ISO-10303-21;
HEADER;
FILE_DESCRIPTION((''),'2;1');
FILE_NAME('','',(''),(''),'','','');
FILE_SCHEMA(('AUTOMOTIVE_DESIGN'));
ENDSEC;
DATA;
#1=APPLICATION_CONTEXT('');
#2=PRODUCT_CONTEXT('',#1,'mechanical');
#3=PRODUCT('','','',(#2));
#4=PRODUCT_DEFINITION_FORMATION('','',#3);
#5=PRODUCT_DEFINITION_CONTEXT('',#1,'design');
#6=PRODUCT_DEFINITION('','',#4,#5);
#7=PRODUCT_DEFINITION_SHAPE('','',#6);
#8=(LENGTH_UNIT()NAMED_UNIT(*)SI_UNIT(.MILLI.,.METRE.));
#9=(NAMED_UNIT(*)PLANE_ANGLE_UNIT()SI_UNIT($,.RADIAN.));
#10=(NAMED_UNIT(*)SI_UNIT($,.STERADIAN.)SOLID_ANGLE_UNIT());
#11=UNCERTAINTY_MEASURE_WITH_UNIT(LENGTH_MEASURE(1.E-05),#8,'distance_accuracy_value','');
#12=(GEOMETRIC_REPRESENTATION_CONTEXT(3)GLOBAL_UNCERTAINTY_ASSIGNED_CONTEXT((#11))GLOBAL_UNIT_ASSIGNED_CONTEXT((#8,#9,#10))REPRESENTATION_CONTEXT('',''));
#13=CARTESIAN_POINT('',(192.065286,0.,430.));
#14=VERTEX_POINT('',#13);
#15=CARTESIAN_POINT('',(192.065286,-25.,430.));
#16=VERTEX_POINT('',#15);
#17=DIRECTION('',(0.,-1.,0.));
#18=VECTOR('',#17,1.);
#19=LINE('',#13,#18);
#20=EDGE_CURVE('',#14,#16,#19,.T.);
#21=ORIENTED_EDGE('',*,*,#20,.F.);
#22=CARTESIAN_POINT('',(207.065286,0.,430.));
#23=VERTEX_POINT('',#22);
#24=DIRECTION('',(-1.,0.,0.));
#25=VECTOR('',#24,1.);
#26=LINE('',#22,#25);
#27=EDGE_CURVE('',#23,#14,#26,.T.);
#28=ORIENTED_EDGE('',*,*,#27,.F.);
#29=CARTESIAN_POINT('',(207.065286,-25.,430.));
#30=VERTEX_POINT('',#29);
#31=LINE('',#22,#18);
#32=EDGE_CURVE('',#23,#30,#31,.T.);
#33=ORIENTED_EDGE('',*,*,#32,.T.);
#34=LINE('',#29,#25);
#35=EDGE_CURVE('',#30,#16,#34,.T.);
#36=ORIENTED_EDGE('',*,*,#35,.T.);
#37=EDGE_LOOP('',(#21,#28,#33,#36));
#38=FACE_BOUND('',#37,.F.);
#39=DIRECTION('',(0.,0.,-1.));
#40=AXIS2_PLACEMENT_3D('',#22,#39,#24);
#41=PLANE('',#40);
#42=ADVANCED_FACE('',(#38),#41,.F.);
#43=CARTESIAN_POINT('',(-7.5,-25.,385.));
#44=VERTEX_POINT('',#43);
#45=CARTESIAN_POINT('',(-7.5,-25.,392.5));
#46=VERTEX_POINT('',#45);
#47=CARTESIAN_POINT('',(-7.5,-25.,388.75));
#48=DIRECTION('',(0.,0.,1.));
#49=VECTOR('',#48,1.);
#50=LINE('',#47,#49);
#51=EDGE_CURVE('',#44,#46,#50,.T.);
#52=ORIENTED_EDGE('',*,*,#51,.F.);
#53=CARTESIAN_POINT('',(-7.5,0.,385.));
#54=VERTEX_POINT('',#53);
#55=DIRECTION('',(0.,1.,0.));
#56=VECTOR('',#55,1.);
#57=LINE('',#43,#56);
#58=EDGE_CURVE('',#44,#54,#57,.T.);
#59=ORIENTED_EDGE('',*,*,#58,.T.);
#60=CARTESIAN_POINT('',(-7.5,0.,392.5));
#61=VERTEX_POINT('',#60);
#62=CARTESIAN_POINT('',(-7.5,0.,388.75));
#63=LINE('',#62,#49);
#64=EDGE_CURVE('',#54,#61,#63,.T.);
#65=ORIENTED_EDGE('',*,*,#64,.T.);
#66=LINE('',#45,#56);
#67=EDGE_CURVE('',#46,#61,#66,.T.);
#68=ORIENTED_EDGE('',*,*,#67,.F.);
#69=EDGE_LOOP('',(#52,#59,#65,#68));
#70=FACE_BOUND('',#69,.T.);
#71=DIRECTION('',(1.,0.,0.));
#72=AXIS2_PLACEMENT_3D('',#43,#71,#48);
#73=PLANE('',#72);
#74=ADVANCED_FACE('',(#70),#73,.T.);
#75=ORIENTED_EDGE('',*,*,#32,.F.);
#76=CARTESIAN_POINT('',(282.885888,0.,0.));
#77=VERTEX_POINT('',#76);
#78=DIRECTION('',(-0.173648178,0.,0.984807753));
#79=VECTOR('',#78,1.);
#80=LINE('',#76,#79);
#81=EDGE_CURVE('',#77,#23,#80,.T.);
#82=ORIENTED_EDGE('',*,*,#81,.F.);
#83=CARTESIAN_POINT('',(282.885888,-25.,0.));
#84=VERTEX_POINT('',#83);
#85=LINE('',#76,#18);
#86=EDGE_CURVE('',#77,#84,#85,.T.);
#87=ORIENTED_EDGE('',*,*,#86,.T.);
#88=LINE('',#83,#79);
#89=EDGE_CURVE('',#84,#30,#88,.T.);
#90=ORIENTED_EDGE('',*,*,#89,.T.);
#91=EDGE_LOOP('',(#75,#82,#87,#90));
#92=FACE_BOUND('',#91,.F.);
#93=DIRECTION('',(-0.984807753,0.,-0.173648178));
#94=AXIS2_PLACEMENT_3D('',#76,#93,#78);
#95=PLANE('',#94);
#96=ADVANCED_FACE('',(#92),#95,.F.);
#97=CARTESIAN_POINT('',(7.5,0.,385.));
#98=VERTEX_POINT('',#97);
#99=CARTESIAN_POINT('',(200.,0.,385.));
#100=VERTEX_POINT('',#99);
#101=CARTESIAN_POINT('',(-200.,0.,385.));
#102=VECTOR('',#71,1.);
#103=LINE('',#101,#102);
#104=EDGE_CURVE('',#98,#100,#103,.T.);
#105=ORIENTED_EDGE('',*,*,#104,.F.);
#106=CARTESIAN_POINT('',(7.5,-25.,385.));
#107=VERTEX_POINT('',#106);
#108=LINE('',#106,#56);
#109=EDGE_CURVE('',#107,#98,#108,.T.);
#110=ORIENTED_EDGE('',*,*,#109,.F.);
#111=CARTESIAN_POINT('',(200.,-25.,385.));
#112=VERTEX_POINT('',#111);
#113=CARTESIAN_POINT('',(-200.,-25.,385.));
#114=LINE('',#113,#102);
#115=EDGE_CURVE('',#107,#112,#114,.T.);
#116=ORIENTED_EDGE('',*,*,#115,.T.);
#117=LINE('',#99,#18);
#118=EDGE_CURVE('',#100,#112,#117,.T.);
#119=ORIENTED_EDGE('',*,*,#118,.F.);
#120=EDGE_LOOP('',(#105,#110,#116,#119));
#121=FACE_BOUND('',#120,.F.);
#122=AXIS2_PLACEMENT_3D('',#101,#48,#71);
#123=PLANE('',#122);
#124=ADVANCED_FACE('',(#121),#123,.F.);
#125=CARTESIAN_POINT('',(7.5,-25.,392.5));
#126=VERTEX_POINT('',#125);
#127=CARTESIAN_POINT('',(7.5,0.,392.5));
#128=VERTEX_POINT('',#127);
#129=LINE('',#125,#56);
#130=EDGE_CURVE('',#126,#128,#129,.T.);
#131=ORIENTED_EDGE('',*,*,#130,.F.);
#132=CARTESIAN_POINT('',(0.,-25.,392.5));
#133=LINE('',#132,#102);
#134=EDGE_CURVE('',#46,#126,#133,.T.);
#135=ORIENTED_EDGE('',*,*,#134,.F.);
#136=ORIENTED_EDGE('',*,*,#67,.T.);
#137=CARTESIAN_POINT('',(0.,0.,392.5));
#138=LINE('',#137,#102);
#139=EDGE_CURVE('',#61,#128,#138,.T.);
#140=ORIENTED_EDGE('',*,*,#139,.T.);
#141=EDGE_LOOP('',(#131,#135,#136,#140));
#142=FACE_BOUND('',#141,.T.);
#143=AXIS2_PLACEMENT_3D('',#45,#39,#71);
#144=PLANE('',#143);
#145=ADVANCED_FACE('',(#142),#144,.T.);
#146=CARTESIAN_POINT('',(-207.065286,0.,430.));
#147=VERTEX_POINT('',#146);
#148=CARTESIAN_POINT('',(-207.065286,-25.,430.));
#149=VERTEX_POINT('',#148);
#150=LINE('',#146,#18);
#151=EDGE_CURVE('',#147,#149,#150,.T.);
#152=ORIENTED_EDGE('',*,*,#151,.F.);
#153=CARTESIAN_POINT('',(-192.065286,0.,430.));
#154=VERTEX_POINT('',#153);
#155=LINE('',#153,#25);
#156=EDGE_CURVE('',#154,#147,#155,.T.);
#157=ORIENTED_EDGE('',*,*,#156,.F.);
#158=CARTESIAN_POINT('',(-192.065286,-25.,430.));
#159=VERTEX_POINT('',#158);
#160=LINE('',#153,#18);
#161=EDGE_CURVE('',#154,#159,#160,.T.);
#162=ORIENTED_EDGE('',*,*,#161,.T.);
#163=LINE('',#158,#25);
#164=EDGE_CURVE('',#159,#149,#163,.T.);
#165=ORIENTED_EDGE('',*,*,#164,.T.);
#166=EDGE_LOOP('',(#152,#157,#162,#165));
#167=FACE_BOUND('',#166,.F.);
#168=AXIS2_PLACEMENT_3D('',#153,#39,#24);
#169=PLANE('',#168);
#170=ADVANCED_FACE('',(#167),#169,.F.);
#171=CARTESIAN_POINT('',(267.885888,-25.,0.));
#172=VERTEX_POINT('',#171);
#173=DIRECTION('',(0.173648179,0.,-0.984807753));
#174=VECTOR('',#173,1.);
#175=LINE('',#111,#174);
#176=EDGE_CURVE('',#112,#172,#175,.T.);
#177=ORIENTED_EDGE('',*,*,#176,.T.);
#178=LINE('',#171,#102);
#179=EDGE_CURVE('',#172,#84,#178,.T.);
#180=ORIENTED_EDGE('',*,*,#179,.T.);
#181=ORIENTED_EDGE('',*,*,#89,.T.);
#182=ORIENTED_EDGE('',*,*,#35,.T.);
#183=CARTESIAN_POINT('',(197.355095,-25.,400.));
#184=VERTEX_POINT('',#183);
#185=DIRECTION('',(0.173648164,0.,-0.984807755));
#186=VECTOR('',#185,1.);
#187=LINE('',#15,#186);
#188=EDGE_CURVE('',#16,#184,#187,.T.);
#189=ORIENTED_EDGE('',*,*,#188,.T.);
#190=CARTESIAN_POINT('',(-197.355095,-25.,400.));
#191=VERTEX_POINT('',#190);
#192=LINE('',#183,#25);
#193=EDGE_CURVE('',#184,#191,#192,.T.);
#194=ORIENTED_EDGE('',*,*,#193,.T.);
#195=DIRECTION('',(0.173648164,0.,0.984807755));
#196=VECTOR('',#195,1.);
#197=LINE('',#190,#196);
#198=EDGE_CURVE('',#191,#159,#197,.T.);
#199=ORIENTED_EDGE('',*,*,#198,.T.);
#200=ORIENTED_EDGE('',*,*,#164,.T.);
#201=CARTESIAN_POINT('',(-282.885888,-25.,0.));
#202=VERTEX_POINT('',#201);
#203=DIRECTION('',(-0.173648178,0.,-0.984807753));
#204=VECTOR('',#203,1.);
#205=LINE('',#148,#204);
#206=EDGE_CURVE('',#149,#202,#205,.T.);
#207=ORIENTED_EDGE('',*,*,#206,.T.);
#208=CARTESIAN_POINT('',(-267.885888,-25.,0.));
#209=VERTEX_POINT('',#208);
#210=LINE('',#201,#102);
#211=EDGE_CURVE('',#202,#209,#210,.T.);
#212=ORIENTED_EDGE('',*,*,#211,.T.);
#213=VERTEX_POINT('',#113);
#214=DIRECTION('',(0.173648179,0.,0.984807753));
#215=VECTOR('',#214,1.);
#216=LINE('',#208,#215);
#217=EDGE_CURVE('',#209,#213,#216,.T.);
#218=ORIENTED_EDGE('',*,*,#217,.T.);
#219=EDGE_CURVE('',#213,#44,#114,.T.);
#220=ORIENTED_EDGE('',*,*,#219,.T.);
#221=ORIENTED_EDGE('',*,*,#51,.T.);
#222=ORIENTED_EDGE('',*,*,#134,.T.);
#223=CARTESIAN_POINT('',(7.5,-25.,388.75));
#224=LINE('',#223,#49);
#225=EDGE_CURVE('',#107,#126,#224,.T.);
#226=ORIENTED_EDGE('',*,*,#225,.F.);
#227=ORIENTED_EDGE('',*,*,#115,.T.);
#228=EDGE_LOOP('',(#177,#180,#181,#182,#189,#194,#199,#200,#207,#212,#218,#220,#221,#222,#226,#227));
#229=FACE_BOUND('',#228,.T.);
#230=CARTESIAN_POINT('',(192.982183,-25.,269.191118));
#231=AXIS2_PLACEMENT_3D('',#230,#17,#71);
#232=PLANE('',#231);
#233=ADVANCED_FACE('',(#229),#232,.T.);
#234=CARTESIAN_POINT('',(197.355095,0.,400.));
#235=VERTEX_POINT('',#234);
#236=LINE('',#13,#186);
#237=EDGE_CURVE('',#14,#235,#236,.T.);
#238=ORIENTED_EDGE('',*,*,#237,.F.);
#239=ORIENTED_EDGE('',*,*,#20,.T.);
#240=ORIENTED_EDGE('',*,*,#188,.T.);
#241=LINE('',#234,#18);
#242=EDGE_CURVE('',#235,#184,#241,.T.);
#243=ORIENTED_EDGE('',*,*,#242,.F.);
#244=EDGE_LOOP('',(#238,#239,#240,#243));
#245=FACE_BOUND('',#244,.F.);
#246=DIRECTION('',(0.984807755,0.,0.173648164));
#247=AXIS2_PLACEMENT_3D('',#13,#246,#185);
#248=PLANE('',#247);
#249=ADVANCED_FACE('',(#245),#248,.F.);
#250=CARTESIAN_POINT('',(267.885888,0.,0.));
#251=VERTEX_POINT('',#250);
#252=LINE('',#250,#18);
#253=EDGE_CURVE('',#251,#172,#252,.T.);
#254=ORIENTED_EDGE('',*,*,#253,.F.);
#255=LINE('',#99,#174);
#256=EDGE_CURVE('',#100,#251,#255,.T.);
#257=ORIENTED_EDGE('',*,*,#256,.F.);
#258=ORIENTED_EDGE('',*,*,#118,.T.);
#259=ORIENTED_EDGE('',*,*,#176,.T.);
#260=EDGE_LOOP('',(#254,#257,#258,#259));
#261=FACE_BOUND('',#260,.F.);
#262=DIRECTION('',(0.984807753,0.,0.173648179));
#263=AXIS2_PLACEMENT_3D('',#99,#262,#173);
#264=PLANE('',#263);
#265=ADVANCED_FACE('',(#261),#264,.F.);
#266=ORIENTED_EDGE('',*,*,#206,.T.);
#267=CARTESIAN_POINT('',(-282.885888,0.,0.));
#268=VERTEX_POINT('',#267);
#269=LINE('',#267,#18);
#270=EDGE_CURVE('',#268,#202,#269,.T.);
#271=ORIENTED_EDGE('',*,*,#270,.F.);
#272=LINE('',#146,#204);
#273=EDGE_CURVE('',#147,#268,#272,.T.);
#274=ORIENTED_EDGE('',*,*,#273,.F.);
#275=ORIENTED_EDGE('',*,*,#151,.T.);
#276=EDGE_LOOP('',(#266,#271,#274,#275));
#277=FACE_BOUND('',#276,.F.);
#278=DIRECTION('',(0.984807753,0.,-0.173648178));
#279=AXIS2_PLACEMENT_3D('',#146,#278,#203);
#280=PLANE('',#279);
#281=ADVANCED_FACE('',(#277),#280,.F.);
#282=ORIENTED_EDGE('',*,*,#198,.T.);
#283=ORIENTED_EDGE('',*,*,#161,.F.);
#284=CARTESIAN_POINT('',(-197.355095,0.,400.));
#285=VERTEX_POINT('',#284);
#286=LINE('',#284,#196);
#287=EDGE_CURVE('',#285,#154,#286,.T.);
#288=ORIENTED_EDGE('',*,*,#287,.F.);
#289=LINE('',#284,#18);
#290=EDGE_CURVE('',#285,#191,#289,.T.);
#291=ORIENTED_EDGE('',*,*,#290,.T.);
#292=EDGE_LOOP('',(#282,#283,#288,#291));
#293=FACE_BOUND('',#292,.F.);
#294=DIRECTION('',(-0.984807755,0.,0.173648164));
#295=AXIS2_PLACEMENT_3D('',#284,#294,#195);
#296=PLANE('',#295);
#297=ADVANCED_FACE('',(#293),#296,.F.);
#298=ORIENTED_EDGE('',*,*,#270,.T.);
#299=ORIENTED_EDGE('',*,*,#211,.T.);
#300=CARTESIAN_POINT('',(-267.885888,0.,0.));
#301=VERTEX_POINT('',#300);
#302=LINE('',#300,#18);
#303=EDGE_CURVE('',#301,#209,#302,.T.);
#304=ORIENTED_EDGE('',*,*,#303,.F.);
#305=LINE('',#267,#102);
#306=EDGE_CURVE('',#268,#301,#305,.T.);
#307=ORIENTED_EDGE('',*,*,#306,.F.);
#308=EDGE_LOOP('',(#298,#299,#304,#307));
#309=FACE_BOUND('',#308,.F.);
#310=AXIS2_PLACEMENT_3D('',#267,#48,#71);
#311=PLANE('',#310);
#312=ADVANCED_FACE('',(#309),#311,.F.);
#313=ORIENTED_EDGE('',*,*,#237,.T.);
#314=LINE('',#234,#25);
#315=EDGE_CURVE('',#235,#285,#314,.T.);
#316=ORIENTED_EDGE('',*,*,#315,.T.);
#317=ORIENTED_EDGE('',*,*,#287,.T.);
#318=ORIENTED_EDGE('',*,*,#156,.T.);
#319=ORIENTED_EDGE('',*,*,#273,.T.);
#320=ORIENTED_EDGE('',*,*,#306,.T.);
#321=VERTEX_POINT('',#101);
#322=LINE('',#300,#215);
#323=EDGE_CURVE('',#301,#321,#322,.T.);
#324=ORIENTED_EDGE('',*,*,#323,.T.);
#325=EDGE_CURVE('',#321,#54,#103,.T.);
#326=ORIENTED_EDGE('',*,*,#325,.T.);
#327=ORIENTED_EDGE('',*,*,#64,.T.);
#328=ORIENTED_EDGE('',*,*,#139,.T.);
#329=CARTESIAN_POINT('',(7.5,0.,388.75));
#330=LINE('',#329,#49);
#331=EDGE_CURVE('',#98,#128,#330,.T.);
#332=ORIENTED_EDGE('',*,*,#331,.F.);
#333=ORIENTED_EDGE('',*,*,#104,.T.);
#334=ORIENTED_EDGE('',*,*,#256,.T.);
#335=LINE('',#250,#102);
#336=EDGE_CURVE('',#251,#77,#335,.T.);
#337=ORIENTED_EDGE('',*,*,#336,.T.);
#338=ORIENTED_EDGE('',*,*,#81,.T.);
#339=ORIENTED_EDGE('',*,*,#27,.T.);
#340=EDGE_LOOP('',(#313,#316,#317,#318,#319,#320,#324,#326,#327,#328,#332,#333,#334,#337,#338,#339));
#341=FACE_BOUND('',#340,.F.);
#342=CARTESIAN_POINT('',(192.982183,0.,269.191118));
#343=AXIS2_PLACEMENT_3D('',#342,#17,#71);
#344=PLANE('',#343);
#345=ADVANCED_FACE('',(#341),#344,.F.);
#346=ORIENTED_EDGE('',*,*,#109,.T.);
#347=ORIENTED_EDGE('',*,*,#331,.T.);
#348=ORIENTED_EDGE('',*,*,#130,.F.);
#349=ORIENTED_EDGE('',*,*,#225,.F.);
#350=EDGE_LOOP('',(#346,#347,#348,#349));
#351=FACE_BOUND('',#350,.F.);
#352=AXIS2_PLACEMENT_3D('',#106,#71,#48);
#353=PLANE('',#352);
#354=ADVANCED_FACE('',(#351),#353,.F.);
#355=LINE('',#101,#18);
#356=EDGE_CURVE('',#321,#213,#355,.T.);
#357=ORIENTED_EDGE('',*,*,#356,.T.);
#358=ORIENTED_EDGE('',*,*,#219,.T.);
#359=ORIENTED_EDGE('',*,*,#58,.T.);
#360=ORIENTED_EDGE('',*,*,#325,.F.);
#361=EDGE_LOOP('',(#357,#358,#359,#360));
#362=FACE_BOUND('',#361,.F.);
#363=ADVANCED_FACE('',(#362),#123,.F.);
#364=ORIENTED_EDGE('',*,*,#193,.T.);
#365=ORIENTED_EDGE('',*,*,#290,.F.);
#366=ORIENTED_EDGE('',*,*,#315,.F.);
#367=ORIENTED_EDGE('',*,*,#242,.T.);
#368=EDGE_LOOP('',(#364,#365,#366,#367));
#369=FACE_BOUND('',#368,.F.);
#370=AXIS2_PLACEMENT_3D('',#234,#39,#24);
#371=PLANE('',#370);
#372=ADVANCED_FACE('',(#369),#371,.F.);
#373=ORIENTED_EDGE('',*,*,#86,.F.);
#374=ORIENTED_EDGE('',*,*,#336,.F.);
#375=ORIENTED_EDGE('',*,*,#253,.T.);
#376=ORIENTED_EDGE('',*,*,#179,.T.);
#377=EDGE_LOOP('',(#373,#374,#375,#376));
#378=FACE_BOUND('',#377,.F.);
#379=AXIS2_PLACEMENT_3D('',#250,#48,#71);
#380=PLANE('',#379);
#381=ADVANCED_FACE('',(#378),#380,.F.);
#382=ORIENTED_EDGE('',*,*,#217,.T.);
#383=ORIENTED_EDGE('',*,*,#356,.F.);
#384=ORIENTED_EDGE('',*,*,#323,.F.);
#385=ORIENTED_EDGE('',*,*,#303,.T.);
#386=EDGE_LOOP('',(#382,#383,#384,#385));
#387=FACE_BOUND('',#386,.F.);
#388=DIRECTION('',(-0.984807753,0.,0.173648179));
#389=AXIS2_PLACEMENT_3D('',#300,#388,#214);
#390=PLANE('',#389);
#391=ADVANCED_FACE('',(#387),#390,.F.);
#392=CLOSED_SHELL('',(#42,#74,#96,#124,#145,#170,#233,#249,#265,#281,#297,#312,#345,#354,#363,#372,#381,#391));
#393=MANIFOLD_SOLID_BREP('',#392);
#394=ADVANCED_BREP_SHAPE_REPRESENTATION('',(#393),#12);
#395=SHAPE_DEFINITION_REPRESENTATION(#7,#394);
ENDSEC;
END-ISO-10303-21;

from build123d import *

# Parameters (mm, degrees)
F1_DEPTH = 25
F2_W     = 15
F2_H     = 7.5
F3_DEPTH = 25


with BuildPart() as f1:
    # F0 (on Front) → F1 (new body)
    with BuildSketch(Plane.XZ):
        Polygon((0, 400), (0, 385), (200, 385), (267.885888, 0), (282.885888, 0), (207.065286, 430), (192.065286, 430), (197.355095, 400), align=None)
        Polygon((-207.065286, 430), (-282.885888, 0), (-267.885888, 0), (-200, 385), (0, 385), (0, 400), (-197.355095, 400), (-192.065286, 430), align=None)
    extrude(amount=F1_DEPTH)

    # F2 (on face) → F3 (cut, through all)
    with BuildSketch(Plane.XZ.offset(25)):
        with Locations((0, 388.75)):
            Rectangle(F2_W, F2_H)
    extrude(amount=-F3_DEPTH, mode=Mode.SUBTRACT)


solid = f1.part
